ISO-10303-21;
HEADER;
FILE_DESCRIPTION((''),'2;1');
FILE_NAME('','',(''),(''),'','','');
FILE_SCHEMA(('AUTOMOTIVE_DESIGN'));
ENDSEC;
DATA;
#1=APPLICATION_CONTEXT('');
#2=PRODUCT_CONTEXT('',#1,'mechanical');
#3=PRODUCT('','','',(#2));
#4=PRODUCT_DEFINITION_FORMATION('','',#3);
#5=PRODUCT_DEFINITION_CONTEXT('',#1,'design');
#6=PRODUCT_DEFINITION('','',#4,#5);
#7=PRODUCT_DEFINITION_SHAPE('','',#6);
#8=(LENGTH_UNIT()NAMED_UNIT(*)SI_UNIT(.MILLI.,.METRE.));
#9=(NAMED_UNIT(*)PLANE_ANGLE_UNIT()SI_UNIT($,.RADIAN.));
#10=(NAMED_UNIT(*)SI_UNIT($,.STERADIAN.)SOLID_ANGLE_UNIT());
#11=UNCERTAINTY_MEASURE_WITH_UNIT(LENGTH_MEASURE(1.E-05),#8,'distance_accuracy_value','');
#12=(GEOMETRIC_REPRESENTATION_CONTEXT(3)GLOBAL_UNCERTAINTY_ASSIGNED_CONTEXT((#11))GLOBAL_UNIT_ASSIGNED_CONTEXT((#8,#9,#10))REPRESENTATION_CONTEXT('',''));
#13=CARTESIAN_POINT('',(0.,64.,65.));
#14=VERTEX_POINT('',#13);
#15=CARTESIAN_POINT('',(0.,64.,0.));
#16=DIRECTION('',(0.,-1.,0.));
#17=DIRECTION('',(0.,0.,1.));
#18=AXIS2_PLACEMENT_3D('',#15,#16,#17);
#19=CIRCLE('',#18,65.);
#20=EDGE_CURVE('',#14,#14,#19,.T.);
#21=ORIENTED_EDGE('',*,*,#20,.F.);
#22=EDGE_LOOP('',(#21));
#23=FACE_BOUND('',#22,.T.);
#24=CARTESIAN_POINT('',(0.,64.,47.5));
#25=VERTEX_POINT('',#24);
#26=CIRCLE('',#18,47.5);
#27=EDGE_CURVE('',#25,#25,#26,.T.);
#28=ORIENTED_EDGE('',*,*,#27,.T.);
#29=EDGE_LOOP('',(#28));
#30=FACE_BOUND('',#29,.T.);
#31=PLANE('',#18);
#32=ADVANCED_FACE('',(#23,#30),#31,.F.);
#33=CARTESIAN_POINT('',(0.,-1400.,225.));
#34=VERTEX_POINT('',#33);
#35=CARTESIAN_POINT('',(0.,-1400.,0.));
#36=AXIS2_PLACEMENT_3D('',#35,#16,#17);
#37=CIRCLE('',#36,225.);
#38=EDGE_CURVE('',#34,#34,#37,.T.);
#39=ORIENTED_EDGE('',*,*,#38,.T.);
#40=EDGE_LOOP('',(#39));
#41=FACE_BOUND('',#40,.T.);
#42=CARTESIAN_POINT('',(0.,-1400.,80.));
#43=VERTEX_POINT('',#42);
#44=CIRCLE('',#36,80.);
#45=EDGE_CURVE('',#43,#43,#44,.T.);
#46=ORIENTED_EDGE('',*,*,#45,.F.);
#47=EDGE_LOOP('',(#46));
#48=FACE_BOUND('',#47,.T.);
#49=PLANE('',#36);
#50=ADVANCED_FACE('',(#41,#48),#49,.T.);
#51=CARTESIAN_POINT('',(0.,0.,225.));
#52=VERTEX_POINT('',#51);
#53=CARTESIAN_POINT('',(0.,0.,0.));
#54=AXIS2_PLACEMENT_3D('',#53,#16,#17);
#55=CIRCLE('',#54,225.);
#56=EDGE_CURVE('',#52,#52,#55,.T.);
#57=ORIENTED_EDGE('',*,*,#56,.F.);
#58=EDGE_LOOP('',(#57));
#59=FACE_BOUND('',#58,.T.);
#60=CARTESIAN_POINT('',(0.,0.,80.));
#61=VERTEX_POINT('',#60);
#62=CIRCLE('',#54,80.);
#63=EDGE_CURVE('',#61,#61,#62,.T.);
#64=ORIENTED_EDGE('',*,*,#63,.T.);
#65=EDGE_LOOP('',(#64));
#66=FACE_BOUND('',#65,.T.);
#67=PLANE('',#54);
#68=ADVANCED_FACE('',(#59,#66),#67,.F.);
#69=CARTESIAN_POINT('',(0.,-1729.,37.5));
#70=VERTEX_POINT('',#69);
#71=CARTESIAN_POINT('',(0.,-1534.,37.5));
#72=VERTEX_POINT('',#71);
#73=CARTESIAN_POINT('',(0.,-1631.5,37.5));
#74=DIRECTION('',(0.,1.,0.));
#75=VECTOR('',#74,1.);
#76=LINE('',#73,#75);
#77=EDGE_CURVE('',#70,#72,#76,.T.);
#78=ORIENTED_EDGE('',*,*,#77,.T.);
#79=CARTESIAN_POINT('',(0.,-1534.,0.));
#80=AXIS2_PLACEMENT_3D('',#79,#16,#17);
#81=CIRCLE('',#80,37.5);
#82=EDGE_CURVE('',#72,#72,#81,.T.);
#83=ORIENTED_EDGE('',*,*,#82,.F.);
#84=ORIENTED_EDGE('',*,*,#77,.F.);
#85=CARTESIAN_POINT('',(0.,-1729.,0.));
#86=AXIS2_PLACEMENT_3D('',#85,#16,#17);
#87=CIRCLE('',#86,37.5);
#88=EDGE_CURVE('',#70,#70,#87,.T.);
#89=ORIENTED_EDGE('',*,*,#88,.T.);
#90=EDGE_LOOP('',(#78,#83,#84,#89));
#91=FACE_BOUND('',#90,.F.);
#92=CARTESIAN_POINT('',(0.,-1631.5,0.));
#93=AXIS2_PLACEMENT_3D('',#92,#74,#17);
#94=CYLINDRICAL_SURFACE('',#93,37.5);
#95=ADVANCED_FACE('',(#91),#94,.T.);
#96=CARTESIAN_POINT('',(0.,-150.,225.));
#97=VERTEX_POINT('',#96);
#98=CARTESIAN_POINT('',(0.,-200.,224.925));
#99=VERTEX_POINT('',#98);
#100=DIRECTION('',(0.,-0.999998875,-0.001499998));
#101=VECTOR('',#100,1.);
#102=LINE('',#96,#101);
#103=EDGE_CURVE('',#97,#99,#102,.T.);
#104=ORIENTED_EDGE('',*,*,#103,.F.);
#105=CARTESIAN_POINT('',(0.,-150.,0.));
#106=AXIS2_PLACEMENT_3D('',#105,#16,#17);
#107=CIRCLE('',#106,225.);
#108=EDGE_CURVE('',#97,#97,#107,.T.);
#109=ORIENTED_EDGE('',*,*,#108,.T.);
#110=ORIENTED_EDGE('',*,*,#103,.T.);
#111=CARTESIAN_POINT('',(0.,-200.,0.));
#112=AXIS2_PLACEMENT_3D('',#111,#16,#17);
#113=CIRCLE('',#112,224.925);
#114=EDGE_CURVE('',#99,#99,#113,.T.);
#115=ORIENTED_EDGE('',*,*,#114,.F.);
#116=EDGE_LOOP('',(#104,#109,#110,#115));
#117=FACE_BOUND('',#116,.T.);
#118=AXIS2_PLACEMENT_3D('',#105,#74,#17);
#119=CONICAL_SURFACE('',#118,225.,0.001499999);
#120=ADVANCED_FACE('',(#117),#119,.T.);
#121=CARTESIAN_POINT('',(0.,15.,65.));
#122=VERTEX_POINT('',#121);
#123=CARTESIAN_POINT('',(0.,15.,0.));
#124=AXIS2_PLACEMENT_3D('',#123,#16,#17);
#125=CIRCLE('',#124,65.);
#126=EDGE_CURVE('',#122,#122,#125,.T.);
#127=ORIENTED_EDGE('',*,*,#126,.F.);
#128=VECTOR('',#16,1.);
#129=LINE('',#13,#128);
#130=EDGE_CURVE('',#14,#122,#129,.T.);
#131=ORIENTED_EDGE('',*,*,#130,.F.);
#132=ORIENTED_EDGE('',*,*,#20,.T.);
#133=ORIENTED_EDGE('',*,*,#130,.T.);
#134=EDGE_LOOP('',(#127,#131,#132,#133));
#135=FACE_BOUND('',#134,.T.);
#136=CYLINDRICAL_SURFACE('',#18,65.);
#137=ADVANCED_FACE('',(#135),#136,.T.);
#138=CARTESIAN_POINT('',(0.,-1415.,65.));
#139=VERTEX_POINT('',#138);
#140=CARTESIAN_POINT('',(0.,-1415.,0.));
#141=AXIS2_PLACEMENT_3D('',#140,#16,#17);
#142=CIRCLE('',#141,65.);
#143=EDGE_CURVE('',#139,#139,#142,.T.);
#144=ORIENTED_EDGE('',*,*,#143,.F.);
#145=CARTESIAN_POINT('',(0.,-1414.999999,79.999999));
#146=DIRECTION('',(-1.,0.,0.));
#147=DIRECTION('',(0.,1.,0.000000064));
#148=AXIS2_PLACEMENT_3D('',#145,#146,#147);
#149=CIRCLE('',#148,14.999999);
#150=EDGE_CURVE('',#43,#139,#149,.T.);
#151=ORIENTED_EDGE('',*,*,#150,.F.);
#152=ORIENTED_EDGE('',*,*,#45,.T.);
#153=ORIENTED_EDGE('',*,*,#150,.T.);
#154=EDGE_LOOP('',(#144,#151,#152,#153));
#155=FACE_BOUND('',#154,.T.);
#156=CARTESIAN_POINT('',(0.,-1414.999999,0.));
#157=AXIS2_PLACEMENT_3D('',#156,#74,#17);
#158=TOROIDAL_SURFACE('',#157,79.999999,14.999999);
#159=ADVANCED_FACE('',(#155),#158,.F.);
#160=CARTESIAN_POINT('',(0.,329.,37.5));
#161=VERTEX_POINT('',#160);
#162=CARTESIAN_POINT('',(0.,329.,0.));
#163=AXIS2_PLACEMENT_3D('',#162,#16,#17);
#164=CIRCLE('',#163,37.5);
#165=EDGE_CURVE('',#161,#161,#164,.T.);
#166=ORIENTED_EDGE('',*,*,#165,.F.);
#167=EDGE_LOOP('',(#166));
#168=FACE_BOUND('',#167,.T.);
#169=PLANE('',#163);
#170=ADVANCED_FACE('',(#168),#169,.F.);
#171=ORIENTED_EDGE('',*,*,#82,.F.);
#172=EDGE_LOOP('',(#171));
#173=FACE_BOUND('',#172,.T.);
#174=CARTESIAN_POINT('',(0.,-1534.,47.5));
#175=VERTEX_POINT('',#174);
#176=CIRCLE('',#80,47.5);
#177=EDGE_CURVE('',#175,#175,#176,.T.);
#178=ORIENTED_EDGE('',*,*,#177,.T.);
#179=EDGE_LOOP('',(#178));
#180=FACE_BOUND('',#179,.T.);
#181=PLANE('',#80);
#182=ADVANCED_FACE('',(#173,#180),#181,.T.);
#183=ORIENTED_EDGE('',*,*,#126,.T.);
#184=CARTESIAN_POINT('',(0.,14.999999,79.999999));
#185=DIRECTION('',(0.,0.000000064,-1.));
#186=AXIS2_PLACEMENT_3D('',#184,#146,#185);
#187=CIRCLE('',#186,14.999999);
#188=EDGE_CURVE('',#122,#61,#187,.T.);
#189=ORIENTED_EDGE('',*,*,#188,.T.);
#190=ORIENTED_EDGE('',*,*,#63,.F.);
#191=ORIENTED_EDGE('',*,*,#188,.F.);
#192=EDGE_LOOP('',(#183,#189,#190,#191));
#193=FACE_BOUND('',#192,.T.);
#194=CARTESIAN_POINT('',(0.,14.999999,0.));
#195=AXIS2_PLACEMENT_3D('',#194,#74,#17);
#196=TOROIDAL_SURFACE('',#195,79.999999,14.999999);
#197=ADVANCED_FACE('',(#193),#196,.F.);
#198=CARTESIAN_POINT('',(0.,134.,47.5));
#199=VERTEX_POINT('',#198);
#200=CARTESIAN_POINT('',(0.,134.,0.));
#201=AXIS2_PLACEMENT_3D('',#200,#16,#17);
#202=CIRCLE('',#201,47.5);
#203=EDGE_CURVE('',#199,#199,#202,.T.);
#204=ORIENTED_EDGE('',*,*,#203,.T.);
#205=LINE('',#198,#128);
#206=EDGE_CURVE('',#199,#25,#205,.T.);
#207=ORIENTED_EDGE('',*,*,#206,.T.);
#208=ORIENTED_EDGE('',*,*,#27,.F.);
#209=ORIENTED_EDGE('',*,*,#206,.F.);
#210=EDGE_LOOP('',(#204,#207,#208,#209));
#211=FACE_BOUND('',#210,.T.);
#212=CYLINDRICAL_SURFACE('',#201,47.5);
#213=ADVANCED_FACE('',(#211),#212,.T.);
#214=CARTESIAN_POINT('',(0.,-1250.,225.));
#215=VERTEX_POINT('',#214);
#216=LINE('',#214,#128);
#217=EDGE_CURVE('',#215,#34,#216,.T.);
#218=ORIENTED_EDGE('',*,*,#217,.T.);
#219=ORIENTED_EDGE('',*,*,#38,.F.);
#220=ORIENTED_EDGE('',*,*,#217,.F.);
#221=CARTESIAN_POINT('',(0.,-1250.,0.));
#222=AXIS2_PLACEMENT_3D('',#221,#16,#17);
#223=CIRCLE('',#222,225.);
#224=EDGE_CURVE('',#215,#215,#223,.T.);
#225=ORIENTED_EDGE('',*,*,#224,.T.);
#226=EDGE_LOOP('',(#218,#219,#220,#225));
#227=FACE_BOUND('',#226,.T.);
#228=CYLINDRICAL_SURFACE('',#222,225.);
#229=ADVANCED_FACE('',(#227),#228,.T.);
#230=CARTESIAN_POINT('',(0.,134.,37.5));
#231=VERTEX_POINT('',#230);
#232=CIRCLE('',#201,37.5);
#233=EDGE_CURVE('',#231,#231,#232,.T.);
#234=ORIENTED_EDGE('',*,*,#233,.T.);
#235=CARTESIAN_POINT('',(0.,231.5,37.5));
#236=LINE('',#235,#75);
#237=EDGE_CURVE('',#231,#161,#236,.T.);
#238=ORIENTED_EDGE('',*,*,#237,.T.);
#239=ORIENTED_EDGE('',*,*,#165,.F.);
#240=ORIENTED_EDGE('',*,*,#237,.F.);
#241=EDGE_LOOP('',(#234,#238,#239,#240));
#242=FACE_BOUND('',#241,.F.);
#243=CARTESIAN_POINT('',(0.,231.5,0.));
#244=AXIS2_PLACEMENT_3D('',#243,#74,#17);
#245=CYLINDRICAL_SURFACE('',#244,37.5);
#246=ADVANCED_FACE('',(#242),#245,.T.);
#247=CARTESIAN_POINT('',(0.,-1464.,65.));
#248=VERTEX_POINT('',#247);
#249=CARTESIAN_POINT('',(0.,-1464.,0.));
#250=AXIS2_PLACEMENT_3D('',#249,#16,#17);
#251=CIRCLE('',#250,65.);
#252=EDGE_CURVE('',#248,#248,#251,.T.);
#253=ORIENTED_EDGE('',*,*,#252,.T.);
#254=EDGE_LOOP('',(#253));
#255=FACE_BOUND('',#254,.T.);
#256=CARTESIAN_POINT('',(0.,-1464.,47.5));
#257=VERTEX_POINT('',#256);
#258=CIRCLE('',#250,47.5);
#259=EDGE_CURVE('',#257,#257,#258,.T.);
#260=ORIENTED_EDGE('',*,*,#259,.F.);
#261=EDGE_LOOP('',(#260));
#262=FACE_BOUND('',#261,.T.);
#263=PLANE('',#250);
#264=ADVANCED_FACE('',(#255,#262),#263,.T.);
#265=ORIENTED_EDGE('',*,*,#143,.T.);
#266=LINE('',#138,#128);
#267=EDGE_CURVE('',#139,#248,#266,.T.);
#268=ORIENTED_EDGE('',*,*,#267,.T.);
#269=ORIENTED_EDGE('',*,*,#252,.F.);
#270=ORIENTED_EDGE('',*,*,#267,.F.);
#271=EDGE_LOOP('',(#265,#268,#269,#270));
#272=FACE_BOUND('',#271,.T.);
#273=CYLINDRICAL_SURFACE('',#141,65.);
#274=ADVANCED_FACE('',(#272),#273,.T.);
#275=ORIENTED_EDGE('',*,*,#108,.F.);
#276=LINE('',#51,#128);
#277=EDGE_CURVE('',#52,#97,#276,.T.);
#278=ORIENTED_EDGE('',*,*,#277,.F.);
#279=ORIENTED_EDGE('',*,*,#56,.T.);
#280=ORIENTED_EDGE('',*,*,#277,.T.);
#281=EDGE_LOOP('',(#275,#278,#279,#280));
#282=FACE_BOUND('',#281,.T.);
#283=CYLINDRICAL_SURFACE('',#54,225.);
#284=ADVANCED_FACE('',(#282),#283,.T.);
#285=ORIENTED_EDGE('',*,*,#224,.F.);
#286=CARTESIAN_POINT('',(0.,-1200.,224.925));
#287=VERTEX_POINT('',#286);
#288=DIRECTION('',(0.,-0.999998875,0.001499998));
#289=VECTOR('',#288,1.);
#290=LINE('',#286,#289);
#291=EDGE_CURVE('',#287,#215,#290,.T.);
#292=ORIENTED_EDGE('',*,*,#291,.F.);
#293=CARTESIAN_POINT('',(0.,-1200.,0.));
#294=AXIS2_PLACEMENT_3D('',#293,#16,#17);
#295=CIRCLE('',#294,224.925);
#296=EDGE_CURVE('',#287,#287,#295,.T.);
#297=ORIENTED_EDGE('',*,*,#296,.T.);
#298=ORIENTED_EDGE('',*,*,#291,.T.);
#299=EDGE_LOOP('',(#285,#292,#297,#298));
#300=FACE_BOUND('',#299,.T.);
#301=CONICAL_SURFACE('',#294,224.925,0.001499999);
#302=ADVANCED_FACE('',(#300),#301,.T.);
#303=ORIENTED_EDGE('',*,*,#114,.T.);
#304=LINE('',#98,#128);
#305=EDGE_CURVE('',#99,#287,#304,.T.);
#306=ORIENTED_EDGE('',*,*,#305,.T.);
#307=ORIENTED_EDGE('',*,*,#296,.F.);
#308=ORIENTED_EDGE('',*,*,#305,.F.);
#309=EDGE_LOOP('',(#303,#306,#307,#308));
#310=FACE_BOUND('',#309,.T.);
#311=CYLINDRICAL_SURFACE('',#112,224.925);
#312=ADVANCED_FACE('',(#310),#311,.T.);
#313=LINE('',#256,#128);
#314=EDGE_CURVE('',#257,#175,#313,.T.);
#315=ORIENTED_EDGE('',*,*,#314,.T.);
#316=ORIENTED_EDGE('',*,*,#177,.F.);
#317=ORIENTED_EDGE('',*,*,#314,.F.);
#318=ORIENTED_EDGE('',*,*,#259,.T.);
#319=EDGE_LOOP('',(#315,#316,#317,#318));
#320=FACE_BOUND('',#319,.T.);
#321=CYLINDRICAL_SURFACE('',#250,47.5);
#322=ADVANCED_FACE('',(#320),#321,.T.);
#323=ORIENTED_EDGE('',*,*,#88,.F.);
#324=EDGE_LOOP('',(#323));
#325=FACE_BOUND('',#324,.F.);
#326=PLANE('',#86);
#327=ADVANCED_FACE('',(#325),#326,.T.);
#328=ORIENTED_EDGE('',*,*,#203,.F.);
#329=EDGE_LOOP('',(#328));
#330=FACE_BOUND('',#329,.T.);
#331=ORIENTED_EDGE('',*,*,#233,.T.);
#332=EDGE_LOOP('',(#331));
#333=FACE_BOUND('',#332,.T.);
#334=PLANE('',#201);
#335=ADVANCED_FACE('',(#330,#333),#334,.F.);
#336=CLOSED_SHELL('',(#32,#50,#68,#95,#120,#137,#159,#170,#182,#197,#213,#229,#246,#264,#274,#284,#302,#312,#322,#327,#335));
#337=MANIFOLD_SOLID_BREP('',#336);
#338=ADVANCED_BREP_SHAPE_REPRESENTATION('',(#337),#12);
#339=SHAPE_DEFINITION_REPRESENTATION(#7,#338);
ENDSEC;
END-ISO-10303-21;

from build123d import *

# Parameters (mm, degrees)
F0_W = 195
F0_H = 37.5


with BuildPart() as f1:
    # F0 (on Right) → F1 (revolve)
    with BuildSketch(Plane.YZ):
        with BuildLine():
            ThreePointArc((15, 65), (4.393398, 69.393398), (0, 80))
            Line((0, 80), (0, 225))
            Line((0, 225), (-150, 225))
            Line((-150, 225), (-200, 224.925))
            Line((-200, 224.925), (-700, 224.925))
            Line((-700, 224.925), (-700, 0))
            Line((-700, 0), (0, 0))
            Line((0, 0), (64, 0))
            Line((64, 0), (64, 47.5))
            Line((64, 47.5), (64, 65))
            Line((64, 65), (15, 65))
        make_face()
        Polygon((134, 47.5), (64, 47.5), (64, 0), (134, 0), (134, 37.5), align=None)
        Polygon((-700, 0), (-700, 224.925), (-1200, 224.925), (-1250, 225), (-1400, 225), (-1400, 80), (-1400, 0), align=None)
        with Locations((231.5, 18.75)):
            Rectangle(F0_W, F0_H)
        with BuildLine():
            Line((-1464, 0), (-1400, 0))
            Line((-1400, 0), (-1400, 80))
            ThreePointArc((-1400, 80), (-1404.393398, 69.393398), (-1415, 65))
            Line((-1415, 65), (-1464, 65))
            Line((-1464, 65), (-1464, 47.5))
            Line((-1464, 47.5), (-1464, 0))
        make_face()
        Polygon((-1534, 0), (-1464, 0), (-1464, 47.5), (-1534, 47.5), (-1534, 37.5), align=None)
        with Locations((-1631.5, 18.75)):
            Rectangle(F0_W, F0_H)
    revolve(axis=Axis((0, -350, 0), (0, -1, 0)))


solid = f1.part
